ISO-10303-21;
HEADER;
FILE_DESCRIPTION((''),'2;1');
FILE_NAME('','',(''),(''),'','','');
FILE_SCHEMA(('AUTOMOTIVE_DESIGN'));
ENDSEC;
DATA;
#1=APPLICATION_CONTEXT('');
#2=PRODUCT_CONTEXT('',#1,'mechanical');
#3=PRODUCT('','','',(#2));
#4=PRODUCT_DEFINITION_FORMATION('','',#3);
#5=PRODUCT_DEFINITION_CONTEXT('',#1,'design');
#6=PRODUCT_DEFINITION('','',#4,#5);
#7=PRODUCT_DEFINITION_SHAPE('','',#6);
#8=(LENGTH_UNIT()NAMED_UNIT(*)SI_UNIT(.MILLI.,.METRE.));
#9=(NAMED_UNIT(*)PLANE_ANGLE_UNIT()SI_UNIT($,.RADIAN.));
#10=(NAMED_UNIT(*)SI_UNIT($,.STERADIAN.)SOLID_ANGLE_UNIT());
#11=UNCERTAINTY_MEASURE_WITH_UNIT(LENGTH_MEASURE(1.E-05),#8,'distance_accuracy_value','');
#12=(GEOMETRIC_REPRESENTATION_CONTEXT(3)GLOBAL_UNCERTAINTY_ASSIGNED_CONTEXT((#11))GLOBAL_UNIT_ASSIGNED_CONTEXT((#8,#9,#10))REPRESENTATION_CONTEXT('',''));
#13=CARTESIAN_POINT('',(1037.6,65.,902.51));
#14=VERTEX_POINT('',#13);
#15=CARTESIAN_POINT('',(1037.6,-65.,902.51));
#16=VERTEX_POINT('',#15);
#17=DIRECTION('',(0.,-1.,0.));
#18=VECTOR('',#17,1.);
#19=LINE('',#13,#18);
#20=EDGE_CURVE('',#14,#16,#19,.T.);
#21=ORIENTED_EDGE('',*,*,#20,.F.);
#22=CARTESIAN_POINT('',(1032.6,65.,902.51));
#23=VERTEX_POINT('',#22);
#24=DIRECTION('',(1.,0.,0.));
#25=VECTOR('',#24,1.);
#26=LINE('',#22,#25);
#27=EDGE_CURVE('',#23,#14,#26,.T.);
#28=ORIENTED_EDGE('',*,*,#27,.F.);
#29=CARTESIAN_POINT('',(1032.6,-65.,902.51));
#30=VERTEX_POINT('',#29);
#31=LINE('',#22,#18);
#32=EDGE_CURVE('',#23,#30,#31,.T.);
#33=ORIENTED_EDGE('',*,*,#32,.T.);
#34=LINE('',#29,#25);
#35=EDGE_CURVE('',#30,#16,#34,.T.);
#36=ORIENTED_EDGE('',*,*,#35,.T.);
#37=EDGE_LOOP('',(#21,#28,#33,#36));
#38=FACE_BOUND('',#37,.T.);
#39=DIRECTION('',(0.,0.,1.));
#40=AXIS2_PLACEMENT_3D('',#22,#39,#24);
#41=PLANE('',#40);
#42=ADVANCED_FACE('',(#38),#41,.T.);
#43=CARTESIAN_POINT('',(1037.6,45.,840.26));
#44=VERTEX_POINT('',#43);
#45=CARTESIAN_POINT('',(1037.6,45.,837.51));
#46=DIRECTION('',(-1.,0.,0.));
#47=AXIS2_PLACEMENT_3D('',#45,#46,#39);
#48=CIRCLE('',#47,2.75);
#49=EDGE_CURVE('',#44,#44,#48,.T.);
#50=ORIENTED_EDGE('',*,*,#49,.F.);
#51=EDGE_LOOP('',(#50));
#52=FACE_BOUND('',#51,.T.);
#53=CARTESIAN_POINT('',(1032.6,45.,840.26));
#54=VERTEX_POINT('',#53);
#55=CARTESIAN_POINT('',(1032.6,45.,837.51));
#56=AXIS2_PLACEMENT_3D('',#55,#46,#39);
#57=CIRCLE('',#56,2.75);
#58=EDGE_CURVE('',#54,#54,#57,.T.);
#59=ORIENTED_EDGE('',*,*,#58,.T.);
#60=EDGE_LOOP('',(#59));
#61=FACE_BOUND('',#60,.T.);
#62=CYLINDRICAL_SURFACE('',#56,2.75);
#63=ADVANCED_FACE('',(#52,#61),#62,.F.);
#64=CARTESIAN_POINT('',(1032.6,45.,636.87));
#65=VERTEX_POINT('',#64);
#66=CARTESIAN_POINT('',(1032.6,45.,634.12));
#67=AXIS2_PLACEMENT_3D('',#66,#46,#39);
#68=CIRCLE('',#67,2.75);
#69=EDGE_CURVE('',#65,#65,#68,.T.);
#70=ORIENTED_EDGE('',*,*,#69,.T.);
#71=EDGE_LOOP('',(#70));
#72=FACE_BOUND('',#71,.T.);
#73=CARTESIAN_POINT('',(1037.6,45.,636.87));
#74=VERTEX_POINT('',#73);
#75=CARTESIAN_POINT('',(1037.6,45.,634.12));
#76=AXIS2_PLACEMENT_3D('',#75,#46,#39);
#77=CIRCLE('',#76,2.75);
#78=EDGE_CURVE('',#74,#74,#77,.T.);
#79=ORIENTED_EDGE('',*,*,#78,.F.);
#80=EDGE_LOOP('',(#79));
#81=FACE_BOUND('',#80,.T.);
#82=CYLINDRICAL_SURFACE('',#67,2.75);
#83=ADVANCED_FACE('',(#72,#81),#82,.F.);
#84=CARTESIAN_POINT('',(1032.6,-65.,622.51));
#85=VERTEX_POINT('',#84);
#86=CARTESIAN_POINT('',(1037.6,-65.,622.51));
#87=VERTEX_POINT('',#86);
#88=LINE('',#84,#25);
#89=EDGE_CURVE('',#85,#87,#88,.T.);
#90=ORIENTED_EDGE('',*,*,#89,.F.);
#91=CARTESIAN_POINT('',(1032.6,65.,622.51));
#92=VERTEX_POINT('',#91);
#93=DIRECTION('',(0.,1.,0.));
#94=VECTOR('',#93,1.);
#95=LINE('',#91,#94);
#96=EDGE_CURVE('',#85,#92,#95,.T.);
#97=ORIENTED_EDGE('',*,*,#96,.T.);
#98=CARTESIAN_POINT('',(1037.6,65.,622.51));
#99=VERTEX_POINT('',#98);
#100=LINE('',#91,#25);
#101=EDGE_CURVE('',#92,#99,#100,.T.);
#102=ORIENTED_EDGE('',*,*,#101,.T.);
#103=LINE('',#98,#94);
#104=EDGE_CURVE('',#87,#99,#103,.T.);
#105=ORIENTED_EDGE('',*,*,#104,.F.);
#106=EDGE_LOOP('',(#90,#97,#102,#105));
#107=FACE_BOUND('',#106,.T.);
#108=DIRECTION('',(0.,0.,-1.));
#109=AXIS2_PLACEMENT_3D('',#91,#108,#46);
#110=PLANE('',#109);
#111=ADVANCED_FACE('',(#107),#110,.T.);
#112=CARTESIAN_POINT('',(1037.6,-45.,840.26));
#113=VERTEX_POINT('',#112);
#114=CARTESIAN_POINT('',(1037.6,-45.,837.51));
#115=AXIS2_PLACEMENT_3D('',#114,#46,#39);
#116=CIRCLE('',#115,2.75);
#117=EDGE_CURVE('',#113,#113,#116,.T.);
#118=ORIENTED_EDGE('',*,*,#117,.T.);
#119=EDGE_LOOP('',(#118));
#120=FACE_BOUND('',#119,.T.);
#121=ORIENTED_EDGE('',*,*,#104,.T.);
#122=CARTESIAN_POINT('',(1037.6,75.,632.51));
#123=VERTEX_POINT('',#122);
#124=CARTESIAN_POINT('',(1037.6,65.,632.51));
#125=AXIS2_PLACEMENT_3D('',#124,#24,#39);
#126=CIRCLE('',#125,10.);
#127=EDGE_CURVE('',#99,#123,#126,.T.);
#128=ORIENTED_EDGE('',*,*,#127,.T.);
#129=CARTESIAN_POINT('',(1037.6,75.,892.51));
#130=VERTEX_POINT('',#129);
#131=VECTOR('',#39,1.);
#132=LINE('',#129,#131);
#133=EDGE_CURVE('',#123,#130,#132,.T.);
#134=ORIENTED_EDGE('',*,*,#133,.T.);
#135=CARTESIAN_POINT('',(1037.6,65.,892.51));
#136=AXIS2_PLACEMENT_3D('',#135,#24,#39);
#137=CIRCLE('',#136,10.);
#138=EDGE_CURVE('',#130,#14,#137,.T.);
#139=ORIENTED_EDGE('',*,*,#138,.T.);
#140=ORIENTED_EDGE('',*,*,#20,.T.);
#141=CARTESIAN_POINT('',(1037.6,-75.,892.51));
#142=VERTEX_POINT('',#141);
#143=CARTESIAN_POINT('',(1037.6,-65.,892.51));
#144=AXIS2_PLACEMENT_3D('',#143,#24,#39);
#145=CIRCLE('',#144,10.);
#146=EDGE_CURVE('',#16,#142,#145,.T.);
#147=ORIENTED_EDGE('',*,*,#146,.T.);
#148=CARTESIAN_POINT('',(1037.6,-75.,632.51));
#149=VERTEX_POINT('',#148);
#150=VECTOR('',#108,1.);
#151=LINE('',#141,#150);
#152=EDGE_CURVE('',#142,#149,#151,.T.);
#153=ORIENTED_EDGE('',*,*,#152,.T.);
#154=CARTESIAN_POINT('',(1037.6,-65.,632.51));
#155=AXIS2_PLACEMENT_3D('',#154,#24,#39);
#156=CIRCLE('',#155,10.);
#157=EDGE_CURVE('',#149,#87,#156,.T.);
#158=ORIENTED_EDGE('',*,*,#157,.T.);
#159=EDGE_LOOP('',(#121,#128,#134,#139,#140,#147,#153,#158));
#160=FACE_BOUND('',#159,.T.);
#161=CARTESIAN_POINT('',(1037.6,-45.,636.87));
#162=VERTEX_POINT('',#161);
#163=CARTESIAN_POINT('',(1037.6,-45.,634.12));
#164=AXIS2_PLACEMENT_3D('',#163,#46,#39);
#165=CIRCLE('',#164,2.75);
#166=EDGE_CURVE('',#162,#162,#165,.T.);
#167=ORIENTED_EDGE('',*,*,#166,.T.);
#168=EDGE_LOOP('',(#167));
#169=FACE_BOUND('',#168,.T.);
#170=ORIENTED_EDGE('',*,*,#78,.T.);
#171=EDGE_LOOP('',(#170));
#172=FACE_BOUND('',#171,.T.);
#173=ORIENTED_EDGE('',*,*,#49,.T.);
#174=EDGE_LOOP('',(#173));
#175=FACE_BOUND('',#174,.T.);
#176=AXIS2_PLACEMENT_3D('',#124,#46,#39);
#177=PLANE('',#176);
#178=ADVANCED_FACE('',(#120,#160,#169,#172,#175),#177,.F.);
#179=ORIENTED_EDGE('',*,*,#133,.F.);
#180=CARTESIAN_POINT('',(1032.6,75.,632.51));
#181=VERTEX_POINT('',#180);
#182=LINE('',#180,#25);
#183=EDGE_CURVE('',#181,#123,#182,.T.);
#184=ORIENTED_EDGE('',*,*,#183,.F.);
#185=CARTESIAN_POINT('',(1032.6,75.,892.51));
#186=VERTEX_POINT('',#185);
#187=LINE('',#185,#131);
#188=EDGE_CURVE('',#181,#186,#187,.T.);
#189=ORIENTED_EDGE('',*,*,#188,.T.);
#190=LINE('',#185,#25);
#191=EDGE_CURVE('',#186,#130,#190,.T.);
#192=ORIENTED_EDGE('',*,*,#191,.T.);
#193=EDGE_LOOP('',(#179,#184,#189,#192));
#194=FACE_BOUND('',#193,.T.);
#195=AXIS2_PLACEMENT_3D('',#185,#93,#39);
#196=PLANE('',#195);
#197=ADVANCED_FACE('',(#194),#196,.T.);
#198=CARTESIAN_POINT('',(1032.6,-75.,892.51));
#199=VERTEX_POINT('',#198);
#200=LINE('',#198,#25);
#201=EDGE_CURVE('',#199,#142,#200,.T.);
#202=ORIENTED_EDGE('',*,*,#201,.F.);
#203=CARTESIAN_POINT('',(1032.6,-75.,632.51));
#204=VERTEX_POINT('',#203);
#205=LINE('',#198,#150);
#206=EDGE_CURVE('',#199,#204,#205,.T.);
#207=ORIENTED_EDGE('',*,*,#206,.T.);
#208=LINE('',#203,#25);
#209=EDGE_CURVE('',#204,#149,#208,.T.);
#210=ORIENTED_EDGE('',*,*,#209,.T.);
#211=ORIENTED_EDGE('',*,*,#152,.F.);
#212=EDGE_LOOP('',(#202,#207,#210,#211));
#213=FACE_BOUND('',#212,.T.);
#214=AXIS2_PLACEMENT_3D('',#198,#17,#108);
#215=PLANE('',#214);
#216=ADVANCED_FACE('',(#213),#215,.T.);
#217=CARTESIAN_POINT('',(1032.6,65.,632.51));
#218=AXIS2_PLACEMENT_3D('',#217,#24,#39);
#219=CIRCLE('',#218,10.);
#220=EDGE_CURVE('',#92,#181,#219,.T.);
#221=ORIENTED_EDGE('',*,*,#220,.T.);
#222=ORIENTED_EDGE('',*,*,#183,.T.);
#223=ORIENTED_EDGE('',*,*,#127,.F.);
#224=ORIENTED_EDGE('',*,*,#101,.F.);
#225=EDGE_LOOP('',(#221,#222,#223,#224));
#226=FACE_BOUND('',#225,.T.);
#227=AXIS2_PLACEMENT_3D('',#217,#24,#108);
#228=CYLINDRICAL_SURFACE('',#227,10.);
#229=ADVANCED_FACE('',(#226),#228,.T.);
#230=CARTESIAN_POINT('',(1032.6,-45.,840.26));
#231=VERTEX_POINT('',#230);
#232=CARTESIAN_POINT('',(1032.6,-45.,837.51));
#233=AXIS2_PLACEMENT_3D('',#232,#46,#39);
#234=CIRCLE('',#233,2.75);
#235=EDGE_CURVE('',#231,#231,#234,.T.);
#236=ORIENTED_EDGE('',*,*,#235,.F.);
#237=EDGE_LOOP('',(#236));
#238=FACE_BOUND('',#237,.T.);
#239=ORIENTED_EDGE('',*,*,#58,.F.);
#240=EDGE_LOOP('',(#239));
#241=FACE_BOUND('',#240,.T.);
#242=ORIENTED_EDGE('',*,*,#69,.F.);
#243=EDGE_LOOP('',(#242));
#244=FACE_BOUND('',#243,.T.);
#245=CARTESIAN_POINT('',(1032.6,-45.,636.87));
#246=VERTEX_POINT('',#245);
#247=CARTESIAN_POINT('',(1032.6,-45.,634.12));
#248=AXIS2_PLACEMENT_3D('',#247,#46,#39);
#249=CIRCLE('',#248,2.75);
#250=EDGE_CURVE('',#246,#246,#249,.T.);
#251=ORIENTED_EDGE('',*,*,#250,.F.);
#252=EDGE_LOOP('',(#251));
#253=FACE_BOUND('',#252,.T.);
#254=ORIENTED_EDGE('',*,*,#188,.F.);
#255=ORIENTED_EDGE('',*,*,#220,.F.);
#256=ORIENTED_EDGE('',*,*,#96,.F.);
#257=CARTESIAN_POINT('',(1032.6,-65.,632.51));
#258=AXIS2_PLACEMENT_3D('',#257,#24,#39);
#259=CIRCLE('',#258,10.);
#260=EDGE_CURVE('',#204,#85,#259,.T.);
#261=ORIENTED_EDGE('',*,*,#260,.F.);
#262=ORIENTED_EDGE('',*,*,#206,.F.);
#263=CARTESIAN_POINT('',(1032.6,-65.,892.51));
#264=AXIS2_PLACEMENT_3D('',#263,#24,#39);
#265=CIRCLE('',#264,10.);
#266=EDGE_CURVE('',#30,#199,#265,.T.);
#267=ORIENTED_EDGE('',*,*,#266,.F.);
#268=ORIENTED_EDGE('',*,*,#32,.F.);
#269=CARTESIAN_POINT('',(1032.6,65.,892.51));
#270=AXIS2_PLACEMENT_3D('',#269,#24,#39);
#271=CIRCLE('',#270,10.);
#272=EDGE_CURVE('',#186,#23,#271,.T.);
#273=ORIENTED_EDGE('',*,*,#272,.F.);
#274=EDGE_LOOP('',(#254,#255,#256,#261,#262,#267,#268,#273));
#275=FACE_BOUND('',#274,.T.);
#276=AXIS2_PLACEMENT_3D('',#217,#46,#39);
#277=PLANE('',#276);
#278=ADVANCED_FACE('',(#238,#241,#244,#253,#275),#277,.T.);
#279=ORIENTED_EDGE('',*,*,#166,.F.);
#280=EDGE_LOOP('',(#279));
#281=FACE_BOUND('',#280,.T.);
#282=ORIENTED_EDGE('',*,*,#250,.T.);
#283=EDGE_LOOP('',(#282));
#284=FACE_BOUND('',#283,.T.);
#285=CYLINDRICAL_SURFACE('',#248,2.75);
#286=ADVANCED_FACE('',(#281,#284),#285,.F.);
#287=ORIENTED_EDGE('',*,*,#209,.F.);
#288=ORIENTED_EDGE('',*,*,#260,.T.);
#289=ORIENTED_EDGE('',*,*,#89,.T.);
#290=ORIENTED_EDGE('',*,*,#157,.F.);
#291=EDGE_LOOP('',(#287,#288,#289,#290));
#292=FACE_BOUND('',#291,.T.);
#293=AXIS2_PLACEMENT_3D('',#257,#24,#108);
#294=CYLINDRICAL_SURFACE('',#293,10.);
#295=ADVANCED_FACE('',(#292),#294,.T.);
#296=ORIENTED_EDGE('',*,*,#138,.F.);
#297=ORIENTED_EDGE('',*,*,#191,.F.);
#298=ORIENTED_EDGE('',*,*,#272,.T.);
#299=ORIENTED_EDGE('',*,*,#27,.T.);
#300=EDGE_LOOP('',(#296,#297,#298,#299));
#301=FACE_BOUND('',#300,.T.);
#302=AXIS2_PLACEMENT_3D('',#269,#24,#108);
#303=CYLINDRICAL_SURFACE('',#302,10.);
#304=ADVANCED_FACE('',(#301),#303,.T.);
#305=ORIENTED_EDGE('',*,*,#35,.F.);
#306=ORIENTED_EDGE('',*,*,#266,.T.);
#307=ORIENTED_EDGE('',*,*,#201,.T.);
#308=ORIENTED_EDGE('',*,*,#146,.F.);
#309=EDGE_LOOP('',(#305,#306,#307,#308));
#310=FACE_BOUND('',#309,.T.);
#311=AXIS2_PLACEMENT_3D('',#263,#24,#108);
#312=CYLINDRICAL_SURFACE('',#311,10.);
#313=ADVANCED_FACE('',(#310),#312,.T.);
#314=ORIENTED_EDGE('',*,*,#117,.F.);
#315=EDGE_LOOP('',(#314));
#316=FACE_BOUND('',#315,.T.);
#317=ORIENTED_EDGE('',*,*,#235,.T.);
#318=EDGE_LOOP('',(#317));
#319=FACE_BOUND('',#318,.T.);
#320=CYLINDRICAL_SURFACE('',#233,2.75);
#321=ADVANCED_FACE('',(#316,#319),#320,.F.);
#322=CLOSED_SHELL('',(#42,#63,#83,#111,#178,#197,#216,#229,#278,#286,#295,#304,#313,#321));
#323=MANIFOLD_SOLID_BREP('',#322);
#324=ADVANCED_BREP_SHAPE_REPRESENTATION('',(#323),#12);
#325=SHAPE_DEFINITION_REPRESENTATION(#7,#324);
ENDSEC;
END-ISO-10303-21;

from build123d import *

# Parameters (mm, degrees)
DODANIE_WYCI_GNI_CIE1_DEPTH = 5
OTW_R_POD_RUB_M51_D         = 5.5
OTW_R_POD_RUB_M51_DEPTH     = 14
OTW_R_POD_RUB_M51_TIP       = 1.652366702
OTW_R_POD_RUB_M52_D         = 5.5
OTW_R_POD_RUB_M52_DEPTH     = 14
OTW_R_POD_RUB_M52_TIP       = 1.652366702


with BuildPart() as part:
    # Szkic1 → Dodanie-wyciągnięcie1 (new body)
    with BuildSketch(Plane(origin=(1037.6, 0, 0), x_dir=(0, 0, -1), z_dir=(1, 0, 0))):
        with BuildLine():
            Line((-892.51, 75), (-632.51, 75))
            ThreePointArc((-632.51, 75), (-625.438932188, 72.071067812), (-622.51, 65))
            Line((-622.51, 65), (-622.51, -65))
            ThreePointArc((-622.51, -65), (-625.438932188, -72.071067812), (-632.51, -75))
            Line((-632.51, -75), (-892.51, -75))
            ThreePointArc((-892.51, -75), (-899.581067812, -72.071067812), (-902.51, -65))
            Line((-902.51, -65), (-902.51, 65))
            ThreePointArc((-902.51, 65), (-899.581067812, 72.071067812), (-892.51, 75))
        make_face()
    extrude(amount=-DODANIE_WYCI_GNI_CIE1_DEPTH)

    # Otwór pod śrubę M51
    with Locations(Plane.ZY.offset(-1032.6)):
        with Locations((634.12, 45), (634.12, -45)):
            Hole(OTW_R_POD_RUB_M51_D / 2, depth=OTW_R_POD_RUB_M51_DEPTH)
            with Locations((0, 0, -(OTW_R_POD_RUB_M51_DEPTH + OTW_R_POD_RUB_M51_TIP / 2))):  # 118° drill point
                Cone(0, OTW_R_POD_RUB_M51_D / 2, OTW_R_POD_RUB_M51_TIP, mode=Mode.SUBTRACT)

    # Otwór pod śrubę M52
    with Locations(Plane.ZY.offset(-1032.6)):
        with Locations((837.51, 45), (837.51, -45)):
            Hole(OTW_R_POD_RUB_M52_D / 2, depth=OTW_R_POD_RUB_M52_DEPTH)
            with Locations((0, 0, -(OTW_R_POD_RUB_M52_DEPTH + OTW_R_POD_RUB_M52_TIP / 2))):  # 118° drill point
                Cone(0, OTW_R_POD_RUB_M52_D / 2, OTW_R_POD_RUB_M52_TIP, mode=Mode.SUBTRACT)


solid = part.part
